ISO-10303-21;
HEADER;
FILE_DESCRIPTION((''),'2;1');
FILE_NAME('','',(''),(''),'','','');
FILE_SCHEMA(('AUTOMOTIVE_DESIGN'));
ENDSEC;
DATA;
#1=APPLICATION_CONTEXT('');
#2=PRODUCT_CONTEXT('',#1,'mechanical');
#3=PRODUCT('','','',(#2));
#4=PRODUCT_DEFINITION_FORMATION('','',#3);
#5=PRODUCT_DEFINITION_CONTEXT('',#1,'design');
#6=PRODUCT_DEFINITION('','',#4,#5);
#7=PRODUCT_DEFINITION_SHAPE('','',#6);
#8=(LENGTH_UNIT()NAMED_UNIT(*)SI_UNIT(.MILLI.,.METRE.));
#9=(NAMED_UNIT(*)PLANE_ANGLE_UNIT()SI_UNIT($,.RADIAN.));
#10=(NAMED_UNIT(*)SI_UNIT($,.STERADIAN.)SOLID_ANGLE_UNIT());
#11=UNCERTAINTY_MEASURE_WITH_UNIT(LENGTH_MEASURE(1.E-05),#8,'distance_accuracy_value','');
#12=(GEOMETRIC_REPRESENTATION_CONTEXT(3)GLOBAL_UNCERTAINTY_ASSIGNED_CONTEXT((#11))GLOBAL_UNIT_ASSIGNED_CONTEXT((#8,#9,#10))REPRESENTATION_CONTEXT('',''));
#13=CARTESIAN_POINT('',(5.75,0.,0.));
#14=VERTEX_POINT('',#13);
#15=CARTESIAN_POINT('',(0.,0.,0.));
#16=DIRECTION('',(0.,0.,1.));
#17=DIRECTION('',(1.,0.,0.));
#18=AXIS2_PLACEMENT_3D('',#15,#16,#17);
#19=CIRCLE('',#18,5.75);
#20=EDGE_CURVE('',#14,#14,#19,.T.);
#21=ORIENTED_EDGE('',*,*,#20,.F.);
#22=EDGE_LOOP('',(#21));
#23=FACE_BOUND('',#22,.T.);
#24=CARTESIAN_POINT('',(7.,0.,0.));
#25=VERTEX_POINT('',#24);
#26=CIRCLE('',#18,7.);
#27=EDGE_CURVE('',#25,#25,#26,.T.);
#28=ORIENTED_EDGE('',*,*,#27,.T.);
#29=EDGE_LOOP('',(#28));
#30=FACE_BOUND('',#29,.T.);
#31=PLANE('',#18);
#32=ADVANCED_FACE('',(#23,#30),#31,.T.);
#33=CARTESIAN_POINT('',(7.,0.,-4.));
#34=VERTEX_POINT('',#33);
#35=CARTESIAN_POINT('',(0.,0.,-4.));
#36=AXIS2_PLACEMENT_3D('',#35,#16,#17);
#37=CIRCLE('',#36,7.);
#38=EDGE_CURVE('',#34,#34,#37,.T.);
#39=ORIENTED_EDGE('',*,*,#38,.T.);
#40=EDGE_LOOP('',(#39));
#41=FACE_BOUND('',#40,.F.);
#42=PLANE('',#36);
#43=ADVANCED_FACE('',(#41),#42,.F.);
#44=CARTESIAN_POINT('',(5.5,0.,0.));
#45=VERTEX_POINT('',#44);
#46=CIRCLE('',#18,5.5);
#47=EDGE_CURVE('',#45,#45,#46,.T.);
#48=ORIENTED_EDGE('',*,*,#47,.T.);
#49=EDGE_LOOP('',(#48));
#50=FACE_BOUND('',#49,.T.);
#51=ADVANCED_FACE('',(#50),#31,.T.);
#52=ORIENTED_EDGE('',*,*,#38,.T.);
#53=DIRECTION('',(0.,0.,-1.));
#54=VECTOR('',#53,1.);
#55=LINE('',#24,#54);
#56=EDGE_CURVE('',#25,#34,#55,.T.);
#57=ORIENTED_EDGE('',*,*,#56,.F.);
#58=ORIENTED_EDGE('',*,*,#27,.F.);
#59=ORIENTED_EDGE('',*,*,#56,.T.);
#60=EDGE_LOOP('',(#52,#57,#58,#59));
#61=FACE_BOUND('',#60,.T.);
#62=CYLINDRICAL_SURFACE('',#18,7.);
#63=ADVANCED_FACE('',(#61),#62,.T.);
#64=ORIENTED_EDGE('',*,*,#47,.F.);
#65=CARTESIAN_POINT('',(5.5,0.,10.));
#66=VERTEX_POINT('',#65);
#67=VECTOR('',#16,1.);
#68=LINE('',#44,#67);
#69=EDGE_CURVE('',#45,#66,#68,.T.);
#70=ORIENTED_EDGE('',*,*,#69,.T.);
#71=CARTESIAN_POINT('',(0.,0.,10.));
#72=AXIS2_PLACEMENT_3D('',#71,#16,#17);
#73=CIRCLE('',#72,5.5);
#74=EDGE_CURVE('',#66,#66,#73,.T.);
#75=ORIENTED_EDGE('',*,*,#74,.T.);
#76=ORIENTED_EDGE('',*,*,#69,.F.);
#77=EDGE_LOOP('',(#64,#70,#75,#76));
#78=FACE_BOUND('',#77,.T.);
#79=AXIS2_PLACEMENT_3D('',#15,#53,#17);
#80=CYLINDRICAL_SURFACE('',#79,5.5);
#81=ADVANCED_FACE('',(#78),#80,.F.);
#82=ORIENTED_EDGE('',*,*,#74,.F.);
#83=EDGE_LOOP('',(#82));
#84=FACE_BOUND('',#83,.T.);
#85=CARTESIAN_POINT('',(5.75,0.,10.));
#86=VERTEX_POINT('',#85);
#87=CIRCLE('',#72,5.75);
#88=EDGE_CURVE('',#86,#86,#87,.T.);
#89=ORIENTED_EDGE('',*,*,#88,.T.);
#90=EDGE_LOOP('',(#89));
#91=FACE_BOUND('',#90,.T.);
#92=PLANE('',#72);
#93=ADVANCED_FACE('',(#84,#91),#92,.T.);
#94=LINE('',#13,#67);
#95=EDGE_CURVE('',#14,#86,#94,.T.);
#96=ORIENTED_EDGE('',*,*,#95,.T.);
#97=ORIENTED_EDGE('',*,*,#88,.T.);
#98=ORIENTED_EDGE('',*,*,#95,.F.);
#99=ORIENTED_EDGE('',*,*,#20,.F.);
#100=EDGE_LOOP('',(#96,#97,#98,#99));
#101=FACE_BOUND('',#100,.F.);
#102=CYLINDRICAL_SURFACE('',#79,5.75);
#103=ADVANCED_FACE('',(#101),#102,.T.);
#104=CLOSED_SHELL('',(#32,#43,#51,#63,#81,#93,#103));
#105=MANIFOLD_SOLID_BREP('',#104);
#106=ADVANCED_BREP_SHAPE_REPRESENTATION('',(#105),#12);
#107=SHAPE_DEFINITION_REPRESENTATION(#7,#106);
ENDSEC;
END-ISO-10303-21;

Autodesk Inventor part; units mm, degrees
ref_plane "YZ Plane" through (0, 0, 0) normal (1, 0, 0) x (0, 1, 0)
ref_plane "XZ Plane" through (0, 0, 0) normal (0, 1, 0) x (-1, 0, 0)
ref_plane "XY Plane" through (0, 0, 0) normal (0, 0, 1) x (1, 0, 0)
sketch "Sketch1" plane through (0, 0, 0) normal (0, 0, 1) x (1, 0, 0)
  circle A0 centre (0, 0) radius 5.5
  circle A1 centre (0, 0) radius 5.75
  dimension "d0" = 11
  dimension "d1" = 11.5
extrude "Extrusion1" add sketch "Sketch1" along normal blind 10
sketch "Sketch2" plane through (0, 0, 0) normal (0, 0, 1) x (1, 0, 0)
  circle A0 centre (0, 0) radius 7
  dimension "d4" = 14
extrude "Extrusion2" add sketch "Sketch2" against normal blind 4
properties part number "10 mm Cap"
